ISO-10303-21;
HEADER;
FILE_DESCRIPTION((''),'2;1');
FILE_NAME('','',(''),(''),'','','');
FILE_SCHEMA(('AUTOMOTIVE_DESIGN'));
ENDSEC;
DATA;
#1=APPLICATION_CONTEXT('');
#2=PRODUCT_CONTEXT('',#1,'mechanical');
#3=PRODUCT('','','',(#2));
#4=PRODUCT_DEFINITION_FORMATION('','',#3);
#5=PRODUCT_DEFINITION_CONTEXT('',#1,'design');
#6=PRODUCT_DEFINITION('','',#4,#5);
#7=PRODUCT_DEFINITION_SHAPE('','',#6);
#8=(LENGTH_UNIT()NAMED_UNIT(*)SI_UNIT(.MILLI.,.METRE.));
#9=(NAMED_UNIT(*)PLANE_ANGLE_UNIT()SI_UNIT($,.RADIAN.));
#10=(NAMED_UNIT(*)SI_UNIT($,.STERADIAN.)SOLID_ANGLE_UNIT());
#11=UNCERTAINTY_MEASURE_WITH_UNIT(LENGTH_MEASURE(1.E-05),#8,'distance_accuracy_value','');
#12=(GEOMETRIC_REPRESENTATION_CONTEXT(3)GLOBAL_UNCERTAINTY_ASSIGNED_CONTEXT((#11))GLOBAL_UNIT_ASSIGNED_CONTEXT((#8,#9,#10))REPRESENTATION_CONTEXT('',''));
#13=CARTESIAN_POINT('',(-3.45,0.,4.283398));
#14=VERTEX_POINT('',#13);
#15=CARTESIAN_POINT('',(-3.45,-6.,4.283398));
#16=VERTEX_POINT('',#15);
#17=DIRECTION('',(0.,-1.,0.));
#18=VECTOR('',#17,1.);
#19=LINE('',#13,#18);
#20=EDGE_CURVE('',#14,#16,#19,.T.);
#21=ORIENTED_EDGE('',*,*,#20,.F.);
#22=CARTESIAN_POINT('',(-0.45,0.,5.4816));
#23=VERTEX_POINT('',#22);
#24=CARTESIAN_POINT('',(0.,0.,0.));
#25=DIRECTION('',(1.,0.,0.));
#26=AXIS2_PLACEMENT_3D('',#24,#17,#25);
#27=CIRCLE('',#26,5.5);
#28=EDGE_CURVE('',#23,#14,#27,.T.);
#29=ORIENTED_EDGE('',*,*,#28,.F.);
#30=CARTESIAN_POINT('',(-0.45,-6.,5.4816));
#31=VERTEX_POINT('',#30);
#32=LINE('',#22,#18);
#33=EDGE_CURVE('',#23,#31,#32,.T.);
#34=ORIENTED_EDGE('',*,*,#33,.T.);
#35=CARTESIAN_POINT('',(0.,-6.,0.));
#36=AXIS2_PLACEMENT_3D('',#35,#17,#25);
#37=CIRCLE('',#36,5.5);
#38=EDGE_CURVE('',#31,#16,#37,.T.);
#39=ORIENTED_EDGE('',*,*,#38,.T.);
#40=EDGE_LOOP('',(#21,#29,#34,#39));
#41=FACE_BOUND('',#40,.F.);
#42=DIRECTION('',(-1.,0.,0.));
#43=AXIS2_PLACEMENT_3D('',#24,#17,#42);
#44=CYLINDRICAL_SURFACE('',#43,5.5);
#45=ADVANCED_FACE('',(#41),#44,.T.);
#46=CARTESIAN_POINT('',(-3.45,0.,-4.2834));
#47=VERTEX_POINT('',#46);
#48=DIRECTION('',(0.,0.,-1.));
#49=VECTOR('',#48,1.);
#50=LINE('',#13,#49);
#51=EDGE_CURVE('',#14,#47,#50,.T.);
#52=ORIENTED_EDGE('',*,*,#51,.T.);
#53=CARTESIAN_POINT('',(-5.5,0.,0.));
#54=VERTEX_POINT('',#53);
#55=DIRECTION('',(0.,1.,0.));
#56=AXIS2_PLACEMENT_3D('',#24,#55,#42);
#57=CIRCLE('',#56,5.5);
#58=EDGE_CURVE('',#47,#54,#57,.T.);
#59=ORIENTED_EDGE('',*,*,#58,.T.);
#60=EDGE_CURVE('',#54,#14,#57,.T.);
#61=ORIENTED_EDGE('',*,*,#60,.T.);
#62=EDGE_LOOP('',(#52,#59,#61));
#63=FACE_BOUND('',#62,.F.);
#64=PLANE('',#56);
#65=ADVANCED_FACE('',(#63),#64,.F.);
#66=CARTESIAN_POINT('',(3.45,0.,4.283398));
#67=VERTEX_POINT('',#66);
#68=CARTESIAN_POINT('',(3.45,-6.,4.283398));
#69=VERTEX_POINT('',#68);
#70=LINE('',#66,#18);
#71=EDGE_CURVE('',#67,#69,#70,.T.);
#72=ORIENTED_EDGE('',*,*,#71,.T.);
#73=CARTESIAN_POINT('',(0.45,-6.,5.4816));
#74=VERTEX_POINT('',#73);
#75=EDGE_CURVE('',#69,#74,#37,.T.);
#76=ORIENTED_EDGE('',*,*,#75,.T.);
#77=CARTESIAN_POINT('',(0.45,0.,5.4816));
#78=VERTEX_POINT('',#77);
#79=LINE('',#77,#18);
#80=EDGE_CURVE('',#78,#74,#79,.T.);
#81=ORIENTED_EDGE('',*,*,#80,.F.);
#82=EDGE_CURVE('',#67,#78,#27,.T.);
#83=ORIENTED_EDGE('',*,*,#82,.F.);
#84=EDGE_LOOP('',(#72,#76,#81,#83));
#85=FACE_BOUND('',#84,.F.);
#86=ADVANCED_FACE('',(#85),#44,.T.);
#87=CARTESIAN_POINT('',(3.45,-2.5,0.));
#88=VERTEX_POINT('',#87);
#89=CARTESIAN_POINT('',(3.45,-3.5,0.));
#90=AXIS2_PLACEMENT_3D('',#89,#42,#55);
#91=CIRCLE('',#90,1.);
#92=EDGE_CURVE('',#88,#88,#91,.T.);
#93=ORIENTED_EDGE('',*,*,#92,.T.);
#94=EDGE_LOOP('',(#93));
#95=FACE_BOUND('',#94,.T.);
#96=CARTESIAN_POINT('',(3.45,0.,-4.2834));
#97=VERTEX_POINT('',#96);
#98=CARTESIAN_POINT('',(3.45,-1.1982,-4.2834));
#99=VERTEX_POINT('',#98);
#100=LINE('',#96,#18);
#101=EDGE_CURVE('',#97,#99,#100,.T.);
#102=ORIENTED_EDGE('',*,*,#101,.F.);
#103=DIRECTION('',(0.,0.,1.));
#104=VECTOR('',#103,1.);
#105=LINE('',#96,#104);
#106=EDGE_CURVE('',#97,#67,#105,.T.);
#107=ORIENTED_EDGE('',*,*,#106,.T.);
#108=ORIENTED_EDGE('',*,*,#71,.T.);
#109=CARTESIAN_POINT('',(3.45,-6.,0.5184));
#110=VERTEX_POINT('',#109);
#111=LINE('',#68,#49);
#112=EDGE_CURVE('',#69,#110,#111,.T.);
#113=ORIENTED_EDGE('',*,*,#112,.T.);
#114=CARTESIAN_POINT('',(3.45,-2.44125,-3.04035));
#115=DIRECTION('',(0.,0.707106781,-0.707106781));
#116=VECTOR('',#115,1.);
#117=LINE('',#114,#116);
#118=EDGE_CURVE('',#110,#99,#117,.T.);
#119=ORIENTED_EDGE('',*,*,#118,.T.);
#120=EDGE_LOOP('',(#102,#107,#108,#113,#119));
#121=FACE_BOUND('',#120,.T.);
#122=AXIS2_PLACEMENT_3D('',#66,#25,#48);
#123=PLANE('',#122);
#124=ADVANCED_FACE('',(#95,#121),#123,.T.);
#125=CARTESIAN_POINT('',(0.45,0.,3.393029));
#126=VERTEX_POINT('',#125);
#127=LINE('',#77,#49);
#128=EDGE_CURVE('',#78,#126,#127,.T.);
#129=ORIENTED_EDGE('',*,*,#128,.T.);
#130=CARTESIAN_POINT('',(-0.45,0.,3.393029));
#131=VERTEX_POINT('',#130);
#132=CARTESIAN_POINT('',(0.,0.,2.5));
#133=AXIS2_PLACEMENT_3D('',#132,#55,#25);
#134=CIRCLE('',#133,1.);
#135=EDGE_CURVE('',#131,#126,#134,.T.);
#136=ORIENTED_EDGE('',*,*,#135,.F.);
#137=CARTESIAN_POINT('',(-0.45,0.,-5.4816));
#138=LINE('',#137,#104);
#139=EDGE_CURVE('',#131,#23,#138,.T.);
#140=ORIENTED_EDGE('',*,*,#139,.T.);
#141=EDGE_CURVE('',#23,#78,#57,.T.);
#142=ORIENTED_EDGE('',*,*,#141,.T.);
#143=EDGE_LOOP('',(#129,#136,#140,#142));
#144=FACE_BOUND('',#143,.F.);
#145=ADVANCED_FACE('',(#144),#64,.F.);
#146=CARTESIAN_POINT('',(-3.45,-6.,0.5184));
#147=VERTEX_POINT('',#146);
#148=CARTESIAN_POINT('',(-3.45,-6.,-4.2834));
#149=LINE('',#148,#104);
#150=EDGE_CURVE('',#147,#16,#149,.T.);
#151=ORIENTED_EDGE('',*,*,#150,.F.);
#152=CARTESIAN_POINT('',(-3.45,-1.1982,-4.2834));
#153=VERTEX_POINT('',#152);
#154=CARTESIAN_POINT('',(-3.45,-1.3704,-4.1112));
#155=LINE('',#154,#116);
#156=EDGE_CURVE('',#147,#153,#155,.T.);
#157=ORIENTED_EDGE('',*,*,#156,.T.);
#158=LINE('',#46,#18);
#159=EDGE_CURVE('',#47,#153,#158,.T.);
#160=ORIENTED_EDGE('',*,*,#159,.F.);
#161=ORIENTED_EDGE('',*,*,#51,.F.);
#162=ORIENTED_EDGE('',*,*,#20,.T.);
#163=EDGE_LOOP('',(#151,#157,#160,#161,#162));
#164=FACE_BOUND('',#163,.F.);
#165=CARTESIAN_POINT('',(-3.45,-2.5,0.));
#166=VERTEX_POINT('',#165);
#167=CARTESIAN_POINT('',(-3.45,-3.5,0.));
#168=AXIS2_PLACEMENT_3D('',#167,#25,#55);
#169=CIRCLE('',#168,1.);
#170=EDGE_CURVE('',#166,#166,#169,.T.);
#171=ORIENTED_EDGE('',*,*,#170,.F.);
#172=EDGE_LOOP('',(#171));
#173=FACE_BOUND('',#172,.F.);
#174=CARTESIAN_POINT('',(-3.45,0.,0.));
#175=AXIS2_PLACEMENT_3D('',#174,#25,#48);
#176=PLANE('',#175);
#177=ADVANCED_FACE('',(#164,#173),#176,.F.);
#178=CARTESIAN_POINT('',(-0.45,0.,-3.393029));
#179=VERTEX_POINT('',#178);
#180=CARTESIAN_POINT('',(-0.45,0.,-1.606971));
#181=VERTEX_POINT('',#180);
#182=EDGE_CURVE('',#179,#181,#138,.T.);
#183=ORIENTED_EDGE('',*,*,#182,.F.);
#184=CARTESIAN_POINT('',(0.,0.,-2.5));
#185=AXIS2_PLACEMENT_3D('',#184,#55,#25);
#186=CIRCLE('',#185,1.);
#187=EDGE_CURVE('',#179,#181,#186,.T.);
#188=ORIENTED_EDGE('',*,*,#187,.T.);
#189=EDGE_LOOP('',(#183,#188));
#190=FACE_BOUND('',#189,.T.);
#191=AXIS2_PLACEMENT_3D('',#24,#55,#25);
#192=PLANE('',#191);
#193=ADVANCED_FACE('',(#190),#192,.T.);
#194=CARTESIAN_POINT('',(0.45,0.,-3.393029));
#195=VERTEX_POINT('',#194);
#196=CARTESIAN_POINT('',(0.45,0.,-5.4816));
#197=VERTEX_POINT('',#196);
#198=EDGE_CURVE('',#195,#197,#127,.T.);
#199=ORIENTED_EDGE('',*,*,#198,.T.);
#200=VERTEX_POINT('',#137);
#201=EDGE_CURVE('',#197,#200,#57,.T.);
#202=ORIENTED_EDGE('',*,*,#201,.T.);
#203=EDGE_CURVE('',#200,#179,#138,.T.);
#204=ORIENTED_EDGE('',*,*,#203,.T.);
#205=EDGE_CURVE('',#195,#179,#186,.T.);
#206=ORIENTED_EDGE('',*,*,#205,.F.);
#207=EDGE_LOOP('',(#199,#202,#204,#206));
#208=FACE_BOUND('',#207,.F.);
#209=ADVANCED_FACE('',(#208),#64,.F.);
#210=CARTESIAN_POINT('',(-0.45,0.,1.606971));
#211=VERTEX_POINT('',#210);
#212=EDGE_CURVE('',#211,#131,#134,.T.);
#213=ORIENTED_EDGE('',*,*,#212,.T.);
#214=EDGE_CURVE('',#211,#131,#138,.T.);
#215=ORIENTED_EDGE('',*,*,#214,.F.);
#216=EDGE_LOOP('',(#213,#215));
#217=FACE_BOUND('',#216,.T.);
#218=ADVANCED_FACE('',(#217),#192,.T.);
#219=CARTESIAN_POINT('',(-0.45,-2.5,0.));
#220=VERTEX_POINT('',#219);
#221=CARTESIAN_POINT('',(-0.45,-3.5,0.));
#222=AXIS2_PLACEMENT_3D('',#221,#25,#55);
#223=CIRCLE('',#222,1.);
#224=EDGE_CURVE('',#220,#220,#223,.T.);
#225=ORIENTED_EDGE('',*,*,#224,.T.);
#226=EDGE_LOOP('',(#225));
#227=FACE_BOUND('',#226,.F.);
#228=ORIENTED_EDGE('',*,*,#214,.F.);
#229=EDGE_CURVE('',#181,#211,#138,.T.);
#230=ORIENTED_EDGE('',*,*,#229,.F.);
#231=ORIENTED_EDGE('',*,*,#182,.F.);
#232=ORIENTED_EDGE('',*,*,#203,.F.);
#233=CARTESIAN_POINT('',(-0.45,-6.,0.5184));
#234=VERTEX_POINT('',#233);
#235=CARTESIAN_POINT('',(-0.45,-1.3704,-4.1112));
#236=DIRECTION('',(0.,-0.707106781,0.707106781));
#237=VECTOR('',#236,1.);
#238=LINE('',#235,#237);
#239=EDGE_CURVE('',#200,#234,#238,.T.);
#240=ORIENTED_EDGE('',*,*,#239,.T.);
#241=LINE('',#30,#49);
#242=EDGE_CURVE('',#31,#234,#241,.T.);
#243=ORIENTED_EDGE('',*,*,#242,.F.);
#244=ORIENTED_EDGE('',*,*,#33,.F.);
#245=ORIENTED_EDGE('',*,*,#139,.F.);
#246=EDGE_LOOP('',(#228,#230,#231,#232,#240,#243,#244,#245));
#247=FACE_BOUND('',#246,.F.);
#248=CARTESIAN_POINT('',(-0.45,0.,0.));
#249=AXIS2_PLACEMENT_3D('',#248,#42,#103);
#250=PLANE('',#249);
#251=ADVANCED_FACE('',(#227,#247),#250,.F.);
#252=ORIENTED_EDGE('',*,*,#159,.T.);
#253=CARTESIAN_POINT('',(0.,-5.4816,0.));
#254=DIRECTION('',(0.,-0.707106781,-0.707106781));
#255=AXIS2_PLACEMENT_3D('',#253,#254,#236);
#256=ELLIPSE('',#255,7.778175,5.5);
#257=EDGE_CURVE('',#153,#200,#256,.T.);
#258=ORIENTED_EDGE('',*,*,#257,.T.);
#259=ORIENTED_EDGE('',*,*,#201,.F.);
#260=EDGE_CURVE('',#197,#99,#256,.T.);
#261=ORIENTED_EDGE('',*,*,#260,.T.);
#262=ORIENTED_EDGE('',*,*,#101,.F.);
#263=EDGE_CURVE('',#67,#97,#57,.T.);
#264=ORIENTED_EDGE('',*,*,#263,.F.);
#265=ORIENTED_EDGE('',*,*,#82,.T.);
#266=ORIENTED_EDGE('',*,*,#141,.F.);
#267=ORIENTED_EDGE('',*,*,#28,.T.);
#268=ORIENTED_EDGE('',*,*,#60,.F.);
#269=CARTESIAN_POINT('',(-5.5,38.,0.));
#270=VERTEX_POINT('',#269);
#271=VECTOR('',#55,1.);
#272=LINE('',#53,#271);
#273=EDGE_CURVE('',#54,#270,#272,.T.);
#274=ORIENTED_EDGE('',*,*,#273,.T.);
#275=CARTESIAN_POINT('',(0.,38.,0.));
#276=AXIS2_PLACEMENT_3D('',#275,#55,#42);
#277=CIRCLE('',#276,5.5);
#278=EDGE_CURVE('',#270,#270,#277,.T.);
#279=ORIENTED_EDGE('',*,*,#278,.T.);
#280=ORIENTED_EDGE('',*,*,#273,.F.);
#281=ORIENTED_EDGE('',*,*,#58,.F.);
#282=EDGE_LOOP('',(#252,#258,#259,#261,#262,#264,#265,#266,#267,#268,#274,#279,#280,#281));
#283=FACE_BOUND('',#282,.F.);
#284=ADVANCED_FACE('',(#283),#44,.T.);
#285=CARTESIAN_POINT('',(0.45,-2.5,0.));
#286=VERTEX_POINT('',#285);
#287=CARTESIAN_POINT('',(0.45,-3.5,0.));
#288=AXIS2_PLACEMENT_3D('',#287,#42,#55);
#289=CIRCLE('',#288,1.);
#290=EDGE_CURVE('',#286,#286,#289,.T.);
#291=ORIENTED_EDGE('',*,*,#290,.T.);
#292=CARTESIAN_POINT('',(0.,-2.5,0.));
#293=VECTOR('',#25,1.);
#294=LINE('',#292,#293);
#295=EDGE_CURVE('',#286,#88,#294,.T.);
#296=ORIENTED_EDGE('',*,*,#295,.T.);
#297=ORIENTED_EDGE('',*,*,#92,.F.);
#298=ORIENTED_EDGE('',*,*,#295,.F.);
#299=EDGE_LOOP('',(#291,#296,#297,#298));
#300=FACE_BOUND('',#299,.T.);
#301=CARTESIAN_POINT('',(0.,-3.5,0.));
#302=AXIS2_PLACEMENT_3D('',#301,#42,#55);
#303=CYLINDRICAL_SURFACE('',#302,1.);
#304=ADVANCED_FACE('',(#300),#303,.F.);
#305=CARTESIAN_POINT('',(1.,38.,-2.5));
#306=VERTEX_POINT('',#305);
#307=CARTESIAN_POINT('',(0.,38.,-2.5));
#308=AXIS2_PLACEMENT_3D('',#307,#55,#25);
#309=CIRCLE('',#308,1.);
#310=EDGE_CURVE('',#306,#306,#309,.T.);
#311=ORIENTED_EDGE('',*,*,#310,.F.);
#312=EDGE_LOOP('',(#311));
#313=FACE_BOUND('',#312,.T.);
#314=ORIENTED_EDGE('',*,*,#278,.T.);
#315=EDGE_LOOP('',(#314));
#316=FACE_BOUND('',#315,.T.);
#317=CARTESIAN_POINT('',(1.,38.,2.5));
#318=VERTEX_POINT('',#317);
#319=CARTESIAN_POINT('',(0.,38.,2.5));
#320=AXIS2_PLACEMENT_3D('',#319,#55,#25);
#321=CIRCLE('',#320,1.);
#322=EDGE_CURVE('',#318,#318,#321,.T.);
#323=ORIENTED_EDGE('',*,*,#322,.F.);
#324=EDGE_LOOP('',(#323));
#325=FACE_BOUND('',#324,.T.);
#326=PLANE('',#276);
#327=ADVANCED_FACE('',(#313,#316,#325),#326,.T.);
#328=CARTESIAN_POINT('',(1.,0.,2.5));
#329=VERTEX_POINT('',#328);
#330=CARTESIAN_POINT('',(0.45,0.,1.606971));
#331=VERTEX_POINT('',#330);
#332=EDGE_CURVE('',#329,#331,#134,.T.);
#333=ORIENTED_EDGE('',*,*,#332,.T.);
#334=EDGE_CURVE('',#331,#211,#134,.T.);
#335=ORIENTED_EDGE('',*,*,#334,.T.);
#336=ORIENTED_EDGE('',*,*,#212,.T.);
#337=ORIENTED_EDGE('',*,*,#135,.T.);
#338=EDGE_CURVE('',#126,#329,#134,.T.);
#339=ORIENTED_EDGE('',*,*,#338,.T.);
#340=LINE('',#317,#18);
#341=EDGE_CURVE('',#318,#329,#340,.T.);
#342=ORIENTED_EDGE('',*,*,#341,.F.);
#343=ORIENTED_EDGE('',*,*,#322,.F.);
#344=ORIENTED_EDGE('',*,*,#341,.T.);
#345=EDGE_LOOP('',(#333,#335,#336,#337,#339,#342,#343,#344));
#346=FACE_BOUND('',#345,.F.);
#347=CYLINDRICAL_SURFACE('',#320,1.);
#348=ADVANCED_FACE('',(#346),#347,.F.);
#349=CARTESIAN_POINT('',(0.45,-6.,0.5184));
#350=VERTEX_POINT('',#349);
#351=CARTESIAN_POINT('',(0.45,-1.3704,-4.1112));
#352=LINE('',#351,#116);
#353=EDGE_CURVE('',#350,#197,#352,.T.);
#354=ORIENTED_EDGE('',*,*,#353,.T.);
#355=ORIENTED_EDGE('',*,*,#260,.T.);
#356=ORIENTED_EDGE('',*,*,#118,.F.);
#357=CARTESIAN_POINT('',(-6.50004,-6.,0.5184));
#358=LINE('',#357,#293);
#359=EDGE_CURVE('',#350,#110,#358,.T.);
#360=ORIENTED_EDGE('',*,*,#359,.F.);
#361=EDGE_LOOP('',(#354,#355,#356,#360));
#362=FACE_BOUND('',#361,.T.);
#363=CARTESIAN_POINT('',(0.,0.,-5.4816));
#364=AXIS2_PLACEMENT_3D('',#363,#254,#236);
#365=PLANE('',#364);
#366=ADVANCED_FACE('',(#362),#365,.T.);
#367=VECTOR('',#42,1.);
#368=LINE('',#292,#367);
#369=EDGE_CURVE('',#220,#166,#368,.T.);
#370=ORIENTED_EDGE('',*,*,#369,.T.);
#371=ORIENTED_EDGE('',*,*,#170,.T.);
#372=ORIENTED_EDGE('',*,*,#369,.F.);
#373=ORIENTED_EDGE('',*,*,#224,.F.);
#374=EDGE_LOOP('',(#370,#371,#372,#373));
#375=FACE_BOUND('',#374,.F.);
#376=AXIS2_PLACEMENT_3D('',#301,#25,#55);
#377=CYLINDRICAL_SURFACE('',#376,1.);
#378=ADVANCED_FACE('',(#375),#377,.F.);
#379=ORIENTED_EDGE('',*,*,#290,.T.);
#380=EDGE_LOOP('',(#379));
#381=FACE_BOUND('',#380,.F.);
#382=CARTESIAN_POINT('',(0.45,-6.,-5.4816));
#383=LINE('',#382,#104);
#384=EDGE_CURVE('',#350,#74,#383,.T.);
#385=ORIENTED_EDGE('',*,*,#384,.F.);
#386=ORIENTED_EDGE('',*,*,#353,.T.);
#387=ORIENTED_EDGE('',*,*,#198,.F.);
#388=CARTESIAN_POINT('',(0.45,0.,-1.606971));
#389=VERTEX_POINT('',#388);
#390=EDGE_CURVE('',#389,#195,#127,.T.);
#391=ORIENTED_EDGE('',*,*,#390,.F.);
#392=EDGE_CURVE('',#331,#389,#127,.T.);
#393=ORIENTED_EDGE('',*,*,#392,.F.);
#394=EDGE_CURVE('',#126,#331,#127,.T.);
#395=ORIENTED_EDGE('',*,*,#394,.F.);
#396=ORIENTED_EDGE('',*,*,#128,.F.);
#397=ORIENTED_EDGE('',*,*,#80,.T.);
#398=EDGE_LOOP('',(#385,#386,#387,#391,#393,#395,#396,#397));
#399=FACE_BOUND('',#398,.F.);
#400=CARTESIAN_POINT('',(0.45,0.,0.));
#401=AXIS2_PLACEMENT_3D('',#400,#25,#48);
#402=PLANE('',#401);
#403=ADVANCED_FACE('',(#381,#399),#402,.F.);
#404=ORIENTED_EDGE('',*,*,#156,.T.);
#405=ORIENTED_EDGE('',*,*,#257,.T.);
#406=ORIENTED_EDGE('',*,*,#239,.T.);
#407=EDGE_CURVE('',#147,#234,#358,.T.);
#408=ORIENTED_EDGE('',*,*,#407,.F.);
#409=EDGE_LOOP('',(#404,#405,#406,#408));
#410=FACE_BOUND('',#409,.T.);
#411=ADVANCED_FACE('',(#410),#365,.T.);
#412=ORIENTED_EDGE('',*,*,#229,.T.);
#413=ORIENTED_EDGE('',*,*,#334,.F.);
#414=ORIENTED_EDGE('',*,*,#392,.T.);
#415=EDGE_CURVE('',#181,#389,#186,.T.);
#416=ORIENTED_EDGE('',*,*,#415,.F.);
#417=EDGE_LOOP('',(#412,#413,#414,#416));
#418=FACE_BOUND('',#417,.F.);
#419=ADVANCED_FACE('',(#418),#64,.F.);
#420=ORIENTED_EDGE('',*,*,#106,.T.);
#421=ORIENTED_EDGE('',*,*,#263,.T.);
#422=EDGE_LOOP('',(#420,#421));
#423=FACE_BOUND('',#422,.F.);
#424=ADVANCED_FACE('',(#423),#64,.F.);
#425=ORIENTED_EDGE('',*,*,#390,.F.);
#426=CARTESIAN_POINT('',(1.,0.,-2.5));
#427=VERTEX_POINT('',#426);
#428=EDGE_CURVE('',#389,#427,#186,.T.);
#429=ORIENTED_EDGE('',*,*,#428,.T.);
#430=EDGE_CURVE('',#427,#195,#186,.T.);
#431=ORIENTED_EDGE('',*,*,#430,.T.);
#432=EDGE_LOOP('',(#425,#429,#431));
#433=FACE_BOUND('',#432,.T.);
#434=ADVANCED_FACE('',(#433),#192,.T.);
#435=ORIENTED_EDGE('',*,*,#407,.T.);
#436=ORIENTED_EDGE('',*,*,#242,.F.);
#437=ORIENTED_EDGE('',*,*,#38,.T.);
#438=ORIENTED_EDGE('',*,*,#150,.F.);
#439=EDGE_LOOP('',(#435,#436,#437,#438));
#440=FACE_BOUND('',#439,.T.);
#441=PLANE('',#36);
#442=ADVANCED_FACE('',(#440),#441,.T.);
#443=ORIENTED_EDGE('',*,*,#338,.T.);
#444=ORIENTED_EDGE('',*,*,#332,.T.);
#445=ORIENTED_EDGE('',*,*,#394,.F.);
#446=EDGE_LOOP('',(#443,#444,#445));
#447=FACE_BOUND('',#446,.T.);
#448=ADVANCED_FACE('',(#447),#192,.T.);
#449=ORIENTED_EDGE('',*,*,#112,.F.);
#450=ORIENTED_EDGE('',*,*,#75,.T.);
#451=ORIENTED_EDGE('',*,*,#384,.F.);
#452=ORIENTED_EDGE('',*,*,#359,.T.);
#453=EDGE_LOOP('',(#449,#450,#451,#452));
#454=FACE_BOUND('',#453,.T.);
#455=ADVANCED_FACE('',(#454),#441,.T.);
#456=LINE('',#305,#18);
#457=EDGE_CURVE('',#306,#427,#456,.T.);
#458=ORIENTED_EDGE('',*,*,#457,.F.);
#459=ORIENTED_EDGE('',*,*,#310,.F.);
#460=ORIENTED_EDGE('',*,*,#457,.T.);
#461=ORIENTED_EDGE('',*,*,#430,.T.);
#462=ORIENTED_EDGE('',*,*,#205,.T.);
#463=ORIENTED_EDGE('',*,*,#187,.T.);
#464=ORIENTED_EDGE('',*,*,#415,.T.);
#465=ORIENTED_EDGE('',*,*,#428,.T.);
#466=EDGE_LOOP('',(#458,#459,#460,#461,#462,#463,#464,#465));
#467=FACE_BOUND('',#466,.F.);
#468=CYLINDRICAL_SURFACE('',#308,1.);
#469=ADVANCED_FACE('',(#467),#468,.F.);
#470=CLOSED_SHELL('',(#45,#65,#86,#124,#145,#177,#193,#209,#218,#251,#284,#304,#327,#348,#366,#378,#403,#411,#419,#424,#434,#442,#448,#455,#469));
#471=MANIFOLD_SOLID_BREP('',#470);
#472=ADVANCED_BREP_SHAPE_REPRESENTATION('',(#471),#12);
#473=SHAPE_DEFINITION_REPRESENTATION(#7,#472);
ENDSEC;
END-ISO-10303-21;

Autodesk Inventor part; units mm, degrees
ref_plane "YZ Plane" through (0, 0, 0) normal (1, 0, 0) x (0, 1, 0)
ref_plane "XZ Plane" through (0, 0, 0) normal (0, 1, 0) x (-1, 0, 0)
ref_plane "XY Plane" through (0, 0, 0) normal (0, 0, 1) x (1, 0, 0)
sketch "Sketch1" plane through (0, 0, 0) normal (0, 1, 0) x (-1, 0, 0)
  circle A0 centre (0, 0) radius 5.5
  dimension "d0" = 11
extrude "Extrusion1" add sketch "Sketch1" along normal blind 38
sketch "Sketch6" plane through (0, 0, 0) normal (0, -1, 0) x (1, 0, 0)
  circle A0 centre (0, 0) radius 5.5 projected
  line L0 (3.45, 0) -> (3.45, -4.2834)
  line L1 (0.45, 0) -> (0.45, -5.4816)
  line L2 (3.45, -5.4816) -> (3.45, -4.2834)
  line L3 (3.45, -5.4816) -> (0.45, -5.4816)
  line L4 (0.45, 0) -> (0.45, 5.4816)
  line L5 (3.45, 5.3243) -> (3.45, 0)
  line L6 (3.45, 5.3243) -> (0.45, 5.4816)
  line L7 (0, -5.5) -> (0, 5.5)
  line L8 (-3.45, 0) -> (-3.45, -4.2834)
  line L9 (-0.45, 0) -> (-0.45, -5.4816)
  line L10 (-3.45, -5.4816) -> (-3.45, -4.2834)
  line L11 (-3.45, -5.4816) -> (-0.45, -5.4816)
  line L12 (-0.45, 0) -> (-0.45, 5.4816)
  line L13 (-3.45, 5.3243) -> (-3.45, 0)
  line L14 (-3.45, 5.3243) -> (-0.45, 5.4816)
  point P0 (-3.45, 4.2834)
  point P1 (3.45, 4.2834)
  dimension "d20" = 3
  dimension "d21" = 3
  dimension "d22" = 0.45
  dimension "d23" = 2.05
  dimension "d24" = 2.05
extrude "Extrusion5" add sketch "Sketch6" along normal blind 6 contours A0 L5 L0 L1 L4 | L12 L9 A0 L8 L13
sketch "Sketch8" plane through (0, 0, 0) normal (1, 0, 0) x (0, 1, 0)
  line L0 (0, -5.5) -> (38, -5.5) projected
  line L1 (0, -5.4816) -> (-6, -5.4816) projected
  line L2 (0, -5.4816) -> (0, 5.4816) projected
  line L3 (0, -5.4816) -> (-6, 0.5184)
  line L4 (0, -5.4816) -> (8.4853, -5.4816) construction
  line L5 (-6, -5.4816) -> (-6, 5.4816) projected
  line L6 (-6, 0.5184) -> (-6, -5.4816)
  point P0 (0, 0)
  dimension "d27" = 135
extrude "Extrusion6" cut sketch "Sketch8" along normal through all both and the other way through all
sketch "Sketch10" plane through (0, 0, 0) normal (1, 0, 0) x (0, 1, 0)
  circle A0 centre (-3.5, 0) radius 1
  line L0 (0, -5.5) -> (38, -5.5) projected
  line L1 (-6, 0.5184) -> (-6, 5.4816) projected
  point P0 (0, 0)
  dimension "d30" = 2
  dimension "d31" = 5.5
  dimension "d32" = 2.5
extrude "Extrusion7" cut sketch "Sketch10" along normal through all both and the other way through all
sketch "Sketch11" plane through (0, 38, 0) normal (0, 1, 0) x (1, 0, 0)
  circle A0 centre (0, 2.5) radius 1
  circle A1 centre (0, -2.5) radius 1
  point P0 (0, 0)
  dimension "d35" = 2
  dimension "d36" = 2
  dimension "d37" = 2.5
  dimension "d38" = 2.5
extrude "Extrusion8" cut sketch "Sketch11" against normal blind 38
properties part number "Part4 finger(index)"
